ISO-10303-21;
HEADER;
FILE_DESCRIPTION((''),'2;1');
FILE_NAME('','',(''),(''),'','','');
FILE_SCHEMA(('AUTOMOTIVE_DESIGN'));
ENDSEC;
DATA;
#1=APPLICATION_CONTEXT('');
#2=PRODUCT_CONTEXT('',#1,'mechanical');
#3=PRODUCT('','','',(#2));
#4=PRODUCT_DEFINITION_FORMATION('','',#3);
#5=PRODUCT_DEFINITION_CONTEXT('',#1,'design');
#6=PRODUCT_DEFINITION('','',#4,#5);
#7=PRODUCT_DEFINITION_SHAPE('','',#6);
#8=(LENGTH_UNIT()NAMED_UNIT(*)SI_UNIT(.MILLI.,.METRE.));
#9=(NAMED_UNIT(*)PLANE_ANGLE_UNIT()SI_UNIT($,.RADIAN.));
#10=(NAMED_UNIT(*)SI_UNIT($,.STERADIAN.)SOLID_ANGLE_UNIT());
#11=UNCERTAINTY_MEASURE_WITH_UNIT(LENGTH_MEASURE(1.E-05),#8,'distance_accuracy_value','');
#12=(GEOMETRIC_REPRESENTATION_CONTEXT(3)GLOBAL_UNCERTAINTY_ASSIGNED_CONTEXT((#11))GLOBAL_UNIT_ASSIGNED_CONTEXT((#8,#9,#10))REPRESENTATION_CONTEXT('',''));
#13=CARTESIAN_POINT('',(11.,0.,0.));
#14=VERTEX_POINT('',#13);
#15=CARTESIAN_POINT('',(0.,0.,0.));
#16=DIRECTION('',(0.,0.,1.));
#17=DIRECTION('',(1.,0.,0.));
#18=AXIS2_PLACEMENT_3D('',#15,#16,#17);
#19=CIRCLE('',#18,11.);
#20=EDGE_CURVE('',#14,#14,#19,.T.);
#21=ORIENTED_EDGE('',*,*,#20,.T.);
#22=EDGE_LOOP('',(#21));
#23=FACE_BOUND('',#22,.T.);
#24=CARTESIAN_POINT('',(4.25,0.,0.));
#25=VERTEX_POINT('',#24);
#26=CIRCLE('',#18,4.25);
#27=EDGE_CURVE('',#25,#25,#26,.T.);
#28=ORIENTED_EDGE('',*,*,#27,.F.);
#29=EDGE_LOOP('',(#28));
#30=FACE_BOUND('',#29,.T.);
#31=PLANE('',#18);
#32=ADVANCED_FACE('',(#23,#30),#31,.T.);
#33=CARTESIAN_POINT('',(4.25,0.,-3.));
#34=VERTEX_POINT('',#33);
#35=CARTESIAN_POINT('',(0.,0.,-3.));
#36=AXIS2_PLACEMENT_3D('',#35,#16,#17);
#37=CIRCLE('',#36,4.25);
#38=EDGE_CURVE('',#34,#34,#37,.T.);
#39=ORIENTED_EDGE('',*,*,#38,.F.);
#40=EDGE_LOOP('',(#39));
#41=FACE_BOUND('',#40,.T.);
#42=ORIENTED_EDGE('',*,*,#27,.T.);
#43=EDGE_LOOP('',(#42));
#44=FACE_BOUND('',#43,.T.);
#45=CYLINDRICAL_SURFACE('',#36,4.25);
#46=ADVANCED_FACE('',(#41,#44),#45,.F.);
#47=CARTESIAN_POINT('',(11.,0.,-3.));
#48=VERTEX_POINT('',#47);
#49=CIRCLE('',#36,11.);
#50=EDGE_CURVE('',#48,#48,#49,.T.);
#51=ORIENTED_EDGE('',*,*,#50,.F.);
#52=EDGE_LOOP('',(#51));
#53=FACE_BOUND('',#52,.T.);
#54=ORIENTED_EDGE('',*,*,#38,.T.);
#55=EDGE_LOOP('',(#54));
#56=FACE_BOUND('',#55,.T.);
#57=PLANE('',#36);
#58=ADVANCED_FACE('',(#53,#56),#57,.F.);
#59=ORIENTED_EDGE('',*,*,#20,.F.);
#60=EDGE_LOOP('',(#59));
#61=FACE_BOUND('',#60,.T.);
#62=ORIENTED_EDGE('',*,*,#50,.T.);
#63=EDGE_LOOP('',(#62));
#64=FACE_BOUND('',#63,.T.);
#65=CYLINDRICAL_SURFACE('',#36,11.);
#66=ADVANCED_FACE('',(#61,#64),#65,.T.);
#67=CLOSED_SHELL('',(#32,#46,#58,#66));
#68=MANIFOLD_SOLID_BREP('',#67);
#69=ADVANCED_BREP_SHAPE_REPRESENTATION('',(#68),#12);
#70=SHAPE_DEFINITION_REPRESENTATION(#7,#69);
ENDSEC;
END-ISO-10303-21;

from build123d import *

# Parameters (mm, degrees)
CROQUIS1_R              = 11
CROQUIS1_R_2            = 4.25
SALIENTE_EXTRUIR1_DEPTH = 3


with BuildPart() as part:
    # Croquis1 → Saliente-Extruir1 (new body)
    with BuildSketch(Plane.XY):
        Circle(CROQUIS1_R)
        Circle(CROQUIS1_R_2, mode=Mode.SUBTRACT)
    extrude(amount=-SALIENTE_EXTRUIR1_DEPTH)


solid = part.part
